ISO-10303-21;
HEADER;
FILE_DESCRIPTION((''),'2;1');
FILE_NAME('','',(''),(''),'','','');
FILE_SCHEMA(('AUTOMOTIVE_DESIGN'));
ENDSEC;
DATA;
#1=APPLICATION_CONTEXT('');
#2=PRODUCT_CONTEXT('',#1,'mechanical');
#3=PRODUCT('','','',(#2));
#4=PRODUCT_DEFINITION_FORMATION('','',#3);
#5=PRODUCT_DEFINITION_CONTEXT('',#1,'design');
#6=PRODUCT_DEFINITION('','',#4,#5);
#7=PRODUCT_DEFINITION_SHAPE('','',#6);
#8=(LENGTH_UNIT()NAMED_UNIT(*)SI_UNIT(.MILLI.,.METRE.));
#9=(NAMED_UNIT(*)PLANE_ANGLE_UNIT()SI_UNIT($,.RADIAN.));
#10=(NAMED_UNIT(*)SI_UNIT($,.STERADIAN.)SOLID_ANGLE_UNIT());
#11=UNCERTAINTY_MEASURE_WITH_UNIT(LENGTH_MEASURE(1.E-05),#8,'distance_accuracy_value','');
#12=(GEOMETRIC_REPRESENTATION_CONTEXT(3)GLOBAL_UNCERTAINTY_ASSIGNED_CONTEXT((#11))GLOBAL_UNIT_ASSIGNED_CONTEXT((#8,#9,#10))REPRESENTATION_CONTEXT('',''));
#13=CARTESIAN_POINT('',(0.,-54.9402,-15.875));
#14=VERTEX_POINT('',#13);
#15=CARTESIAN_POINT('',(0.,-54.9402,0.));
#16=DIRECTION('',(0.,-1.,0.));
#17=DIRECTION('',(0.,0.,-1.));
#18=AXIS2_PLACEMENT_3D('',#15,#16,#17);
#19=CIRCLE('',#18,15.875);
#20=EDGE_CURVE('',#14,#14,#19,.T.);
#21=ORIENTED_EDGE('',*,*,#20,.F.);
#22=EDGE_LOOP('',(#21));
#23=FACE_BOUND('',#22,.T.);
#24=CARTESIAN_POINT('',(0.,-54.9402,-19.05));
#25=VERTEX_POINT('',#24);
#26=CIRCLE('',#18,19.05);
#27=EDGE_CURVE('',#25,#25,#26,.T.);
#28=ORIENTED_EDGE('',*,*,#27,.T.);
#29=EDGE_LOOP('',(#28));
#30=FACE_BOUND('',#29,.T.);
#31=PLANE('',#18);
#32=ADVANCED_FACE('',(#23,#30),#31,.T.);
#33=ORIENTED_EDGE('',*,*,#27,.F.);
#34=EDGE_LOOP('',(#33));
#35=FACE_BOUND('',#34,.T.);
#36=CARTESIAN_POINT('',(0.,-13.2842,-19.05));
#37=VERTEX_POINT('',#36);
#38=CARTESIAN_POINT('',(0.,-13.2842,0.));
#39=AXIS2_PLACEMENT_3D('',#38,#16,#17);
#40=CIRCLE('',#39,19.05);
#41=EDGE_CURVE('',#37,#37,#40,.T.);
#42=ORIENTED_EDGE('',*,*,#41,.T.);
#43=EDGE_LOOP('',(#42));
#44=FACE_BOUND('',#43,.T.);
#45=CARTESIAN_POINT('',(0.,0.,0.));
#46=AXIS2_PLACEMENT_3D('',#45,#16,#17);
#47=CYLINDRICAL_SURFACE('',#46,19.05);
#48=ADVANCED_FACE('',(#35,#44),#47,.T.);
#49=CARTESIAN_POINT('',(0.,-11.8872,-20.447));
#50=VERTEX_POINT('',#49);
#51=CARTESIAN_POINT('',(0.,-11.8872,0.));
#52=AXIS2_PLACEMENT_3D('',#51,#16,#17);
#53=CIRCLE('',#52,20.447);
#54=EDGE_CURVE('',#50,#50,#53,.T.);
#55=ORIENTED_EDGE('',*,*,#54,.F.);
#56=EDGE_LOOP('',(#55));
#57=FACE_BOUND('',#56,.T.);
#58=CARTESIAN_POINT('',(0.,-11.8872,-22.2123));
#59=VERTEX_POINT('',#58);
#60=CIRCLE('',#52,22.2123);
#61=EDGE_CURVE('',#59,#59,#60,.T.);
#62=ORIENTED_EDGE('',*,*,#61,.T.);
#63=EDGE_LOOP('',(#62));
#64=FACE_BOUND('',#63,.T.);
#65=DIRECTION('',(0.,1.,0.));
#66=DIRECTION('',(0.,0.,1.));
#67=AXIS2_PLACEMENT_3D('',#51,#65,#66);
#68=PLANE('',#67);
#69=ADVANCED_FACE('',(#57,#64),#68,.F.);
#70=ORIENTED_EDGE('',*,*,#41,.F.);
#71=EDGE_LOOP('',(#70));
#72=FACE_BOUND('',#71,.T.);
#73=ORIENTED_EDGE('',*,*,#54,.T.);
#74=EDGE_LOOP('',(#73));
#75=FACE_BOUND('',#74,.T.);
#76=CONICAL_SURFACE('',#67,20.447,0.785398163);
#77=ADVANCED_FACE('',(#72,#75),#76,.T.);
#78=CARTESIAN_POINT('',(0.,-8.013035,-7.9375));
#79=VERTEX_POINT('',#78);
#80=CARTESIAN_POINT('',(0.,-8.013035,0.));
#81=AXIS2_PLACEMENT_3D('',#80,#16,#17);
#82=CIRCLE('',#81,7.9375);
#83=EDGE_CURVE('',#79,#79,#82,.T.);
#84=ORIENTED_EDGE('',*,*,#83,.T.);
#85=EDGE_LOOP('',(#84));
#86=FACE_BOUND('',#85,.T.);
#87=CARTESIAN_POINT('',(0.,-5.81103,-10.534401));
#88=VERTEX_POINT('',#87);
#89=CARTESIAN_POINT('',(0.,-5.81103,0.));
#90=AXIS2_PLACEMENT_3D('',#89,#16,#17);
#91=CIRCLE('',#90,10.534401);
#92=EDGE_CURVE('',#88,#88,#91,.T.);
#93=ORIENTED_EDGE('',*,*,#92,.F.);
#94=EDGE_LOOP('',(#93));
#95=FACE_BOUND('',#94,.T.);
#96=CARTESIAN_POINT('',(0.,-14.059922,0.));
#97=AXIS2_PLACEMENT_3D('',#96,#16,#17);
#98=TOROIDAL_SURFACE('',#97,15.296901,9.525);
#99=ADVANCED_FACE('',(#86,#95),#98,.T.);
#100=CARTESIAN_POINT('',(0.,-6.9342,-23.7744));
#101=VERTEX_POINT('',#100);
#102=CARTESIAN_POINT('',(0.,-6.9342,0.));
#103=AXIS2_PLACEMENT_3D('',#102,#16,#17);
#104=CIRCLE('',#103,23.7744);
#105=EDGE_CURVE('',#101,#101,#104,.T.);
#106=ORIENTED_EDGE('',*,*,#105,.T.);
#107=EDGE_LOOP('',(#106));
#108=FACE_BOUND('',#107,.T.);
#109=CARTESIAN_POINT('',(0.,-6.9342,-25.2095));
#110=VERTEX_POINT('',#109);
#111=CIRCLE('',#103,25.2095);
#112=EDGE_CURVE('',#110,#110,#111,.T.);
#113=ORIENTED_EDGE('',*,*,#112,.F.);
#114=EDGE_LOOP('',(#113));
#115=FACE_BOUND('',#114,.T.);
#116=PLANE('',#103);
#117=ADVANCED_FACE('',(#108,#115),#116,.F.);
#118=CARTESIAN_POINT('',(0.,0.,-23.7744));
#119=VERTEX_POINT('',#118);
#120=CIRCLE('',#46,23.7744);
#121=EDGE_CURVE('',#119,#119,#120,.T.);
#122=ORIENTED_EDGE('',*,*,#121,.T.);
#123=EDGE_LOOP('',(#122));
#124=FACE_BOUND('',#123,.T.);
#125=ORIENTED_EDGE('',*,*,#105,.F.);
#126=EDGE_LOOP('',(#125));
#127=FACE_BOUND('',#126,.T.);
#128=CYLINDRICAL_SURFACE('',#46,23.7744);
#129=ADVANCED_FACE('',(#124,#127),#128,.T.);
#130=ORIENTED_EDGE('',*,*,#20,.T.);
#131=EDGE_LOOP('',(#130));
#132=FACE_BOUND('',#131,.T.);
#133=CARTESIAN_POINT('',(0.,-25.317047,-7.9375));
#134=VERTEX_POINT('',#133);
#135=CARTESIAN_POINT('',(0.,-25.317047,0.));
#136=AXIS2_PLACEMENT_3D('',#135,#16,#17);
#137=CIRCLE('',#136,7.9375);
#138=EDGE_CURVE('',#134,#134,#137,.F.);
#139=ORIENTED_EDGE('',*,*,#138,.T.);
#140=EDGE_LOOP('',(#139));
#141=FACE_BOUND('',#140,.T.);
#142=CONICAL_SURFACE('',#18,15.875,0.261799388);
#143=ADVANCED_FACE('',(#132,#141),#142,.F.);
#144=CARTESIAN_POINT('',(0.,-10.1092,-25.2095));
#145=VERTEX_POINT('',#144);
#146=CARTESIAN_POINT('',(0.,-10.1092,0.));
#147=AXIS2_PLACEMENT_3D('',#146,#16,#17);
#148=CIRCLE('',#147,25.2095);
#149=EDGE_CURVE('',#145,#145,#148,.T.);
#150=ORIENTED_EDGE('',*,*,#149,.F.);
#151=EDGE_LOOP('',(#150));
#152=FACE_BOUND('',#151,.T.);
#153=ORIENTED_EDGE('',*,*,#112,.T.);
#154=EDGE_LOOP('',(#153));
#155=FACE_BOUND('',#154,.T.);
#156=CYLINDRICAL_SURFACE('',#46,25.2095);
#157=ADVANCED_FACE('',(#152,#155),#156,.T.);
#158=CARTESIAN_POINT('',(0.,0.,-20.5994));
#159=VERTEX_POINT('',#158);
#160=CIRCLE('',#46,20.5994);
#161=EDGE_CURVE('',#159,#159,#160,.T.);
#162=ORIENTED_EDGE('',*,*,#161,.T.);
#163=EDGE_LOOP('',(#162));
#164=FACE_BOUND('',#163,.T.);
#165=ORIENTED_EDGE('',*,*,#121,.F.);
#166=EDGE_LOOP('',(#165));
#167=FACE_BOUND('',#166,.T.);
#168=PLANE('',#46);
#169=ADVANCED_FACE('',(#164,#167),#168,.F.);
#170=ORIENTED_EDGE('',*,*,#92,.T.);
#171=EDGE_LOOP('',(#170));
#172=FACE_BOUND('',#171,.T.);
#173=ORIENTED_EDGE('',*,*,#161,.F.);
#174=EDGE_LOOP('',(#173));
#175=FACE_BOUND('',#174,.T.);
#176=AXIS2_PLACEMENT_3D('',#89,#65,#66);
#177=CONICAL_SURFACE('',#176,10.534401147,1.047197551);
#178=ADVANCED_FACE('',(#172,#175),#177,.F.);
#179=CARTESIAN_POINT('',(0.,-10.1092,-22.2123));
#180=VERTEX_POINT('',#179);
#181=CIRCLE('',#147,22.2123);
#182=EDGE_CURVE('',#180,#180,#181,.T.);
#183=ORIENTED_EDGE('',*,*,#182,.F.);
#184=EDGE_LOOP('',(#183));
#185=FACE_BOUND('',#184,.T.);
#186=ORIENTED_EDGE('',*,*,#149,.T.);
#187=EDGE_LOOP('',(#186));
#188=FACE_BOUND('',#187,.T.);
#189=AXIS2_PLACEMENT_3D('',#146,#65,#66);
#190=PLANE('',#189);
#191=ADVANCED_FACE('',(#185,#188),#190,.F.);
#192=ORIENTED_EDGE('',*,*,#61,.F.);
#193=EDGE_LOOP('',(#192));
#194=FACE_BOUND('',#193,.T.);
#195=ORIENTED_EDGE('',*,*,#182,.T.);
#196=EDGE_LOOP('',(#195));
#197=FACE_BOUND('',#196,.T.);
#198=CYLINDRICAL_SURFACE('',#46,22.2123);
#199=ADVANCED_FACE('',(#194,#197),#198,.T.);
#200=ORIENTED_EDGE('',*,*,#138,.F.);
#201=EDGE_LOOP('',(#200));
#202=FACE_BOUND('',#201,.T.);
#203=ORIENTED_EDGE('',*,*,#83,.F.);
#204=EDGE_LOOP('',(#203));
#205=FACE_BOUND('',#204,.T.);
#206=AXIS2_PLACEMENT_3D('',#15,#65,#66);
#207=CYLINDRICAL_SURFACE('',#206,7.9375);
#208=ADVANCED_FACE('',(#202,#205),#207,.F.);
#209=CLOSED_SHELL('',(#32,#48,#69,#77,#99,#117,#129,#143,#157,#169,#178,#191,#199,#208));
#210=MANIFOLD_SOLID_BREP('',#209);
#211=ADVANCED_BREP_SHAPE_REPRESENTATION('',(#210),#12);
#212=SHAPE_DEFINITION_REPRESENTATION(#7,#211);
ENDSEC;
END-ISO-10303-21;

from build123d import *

# Parameters (mm, degrees)
CUT_EXTRUDE1_DEPTH      = 66.493994813
CUT_EXTRUDE1_DEPTH_BACK = 66.493994813
SKETCH2_R               = 7.9375


with BuildPart() as part:
    # Sketch1 → Revolve1 (revolve)
    with BuildSketch(Plane.XY, mode=Mode.PRIVATE) as revolve1_sk:
        Polygon((19.05, -11.8872), (19.05, -13.2842), (20.447, -11.8872), align=None)
        with BuildLine():
            ThreePointArc((5.771901147, -14.059921768), (7.048009176, -9.297421768), (10.534401147, -5.811029797))
            Line((10.534401147, -5.811029797), (20.5994, 0))
            Line((20.5994, 0), (23.7744, 0))
            Line((23.7744, 0), (23.7744, -6.9342))
            Line((23.7744, -6.9342), (25.2095, -6.9342))
            Line((25.2095, -6.9342), (25.2095, -10.1092))
            Line((25.2095, -10.1092), (22.2123, -10.1092))
            Line((22.2123, -10.1092), (22.2123, -11.8872))
            Line((22.2123, -11.8872), (19.05, -11.8872))
            Line((19.05, -11.8872), (19.05, -54.9402))
            Line((19.05, -54.9402), (15.875, -54.9402))
            Line((15.875, -54.9402), (5.771901147, -17.234921768))
            Line((5.771901147, -17.234921768), (5.771901147, -14.059921768))
        make_face()
    revolve(revolve1_sk.sketch.rotate(Axis((0, 0, 0), (0, 1, 0)), 90), axis=Axis((0, 0, 0), (0, 1, 0)))

    # Sketch2 → Cut-Extrude1 (cut, two sides: drawn at the far end of the back side and taken through both)
    with BuildSketch(Plane(origin=(0, 0, 0), x_dir=(1, 0, 0), z_dir=(0, 1, 0)).offset(-CUT_EXTRUDE1_DEPTH_BACK)):
        with Locations(Location((0, 0, 0), (0, 0, 90))):
            Circle(SKETCH2_R)
    extrude(amount=CUT_EXTRUDE1_DEPTH + CUT_EXTRUDE1_DEPTH_BACK, mode=Mode.SUBTRACT)


solid = part.part
